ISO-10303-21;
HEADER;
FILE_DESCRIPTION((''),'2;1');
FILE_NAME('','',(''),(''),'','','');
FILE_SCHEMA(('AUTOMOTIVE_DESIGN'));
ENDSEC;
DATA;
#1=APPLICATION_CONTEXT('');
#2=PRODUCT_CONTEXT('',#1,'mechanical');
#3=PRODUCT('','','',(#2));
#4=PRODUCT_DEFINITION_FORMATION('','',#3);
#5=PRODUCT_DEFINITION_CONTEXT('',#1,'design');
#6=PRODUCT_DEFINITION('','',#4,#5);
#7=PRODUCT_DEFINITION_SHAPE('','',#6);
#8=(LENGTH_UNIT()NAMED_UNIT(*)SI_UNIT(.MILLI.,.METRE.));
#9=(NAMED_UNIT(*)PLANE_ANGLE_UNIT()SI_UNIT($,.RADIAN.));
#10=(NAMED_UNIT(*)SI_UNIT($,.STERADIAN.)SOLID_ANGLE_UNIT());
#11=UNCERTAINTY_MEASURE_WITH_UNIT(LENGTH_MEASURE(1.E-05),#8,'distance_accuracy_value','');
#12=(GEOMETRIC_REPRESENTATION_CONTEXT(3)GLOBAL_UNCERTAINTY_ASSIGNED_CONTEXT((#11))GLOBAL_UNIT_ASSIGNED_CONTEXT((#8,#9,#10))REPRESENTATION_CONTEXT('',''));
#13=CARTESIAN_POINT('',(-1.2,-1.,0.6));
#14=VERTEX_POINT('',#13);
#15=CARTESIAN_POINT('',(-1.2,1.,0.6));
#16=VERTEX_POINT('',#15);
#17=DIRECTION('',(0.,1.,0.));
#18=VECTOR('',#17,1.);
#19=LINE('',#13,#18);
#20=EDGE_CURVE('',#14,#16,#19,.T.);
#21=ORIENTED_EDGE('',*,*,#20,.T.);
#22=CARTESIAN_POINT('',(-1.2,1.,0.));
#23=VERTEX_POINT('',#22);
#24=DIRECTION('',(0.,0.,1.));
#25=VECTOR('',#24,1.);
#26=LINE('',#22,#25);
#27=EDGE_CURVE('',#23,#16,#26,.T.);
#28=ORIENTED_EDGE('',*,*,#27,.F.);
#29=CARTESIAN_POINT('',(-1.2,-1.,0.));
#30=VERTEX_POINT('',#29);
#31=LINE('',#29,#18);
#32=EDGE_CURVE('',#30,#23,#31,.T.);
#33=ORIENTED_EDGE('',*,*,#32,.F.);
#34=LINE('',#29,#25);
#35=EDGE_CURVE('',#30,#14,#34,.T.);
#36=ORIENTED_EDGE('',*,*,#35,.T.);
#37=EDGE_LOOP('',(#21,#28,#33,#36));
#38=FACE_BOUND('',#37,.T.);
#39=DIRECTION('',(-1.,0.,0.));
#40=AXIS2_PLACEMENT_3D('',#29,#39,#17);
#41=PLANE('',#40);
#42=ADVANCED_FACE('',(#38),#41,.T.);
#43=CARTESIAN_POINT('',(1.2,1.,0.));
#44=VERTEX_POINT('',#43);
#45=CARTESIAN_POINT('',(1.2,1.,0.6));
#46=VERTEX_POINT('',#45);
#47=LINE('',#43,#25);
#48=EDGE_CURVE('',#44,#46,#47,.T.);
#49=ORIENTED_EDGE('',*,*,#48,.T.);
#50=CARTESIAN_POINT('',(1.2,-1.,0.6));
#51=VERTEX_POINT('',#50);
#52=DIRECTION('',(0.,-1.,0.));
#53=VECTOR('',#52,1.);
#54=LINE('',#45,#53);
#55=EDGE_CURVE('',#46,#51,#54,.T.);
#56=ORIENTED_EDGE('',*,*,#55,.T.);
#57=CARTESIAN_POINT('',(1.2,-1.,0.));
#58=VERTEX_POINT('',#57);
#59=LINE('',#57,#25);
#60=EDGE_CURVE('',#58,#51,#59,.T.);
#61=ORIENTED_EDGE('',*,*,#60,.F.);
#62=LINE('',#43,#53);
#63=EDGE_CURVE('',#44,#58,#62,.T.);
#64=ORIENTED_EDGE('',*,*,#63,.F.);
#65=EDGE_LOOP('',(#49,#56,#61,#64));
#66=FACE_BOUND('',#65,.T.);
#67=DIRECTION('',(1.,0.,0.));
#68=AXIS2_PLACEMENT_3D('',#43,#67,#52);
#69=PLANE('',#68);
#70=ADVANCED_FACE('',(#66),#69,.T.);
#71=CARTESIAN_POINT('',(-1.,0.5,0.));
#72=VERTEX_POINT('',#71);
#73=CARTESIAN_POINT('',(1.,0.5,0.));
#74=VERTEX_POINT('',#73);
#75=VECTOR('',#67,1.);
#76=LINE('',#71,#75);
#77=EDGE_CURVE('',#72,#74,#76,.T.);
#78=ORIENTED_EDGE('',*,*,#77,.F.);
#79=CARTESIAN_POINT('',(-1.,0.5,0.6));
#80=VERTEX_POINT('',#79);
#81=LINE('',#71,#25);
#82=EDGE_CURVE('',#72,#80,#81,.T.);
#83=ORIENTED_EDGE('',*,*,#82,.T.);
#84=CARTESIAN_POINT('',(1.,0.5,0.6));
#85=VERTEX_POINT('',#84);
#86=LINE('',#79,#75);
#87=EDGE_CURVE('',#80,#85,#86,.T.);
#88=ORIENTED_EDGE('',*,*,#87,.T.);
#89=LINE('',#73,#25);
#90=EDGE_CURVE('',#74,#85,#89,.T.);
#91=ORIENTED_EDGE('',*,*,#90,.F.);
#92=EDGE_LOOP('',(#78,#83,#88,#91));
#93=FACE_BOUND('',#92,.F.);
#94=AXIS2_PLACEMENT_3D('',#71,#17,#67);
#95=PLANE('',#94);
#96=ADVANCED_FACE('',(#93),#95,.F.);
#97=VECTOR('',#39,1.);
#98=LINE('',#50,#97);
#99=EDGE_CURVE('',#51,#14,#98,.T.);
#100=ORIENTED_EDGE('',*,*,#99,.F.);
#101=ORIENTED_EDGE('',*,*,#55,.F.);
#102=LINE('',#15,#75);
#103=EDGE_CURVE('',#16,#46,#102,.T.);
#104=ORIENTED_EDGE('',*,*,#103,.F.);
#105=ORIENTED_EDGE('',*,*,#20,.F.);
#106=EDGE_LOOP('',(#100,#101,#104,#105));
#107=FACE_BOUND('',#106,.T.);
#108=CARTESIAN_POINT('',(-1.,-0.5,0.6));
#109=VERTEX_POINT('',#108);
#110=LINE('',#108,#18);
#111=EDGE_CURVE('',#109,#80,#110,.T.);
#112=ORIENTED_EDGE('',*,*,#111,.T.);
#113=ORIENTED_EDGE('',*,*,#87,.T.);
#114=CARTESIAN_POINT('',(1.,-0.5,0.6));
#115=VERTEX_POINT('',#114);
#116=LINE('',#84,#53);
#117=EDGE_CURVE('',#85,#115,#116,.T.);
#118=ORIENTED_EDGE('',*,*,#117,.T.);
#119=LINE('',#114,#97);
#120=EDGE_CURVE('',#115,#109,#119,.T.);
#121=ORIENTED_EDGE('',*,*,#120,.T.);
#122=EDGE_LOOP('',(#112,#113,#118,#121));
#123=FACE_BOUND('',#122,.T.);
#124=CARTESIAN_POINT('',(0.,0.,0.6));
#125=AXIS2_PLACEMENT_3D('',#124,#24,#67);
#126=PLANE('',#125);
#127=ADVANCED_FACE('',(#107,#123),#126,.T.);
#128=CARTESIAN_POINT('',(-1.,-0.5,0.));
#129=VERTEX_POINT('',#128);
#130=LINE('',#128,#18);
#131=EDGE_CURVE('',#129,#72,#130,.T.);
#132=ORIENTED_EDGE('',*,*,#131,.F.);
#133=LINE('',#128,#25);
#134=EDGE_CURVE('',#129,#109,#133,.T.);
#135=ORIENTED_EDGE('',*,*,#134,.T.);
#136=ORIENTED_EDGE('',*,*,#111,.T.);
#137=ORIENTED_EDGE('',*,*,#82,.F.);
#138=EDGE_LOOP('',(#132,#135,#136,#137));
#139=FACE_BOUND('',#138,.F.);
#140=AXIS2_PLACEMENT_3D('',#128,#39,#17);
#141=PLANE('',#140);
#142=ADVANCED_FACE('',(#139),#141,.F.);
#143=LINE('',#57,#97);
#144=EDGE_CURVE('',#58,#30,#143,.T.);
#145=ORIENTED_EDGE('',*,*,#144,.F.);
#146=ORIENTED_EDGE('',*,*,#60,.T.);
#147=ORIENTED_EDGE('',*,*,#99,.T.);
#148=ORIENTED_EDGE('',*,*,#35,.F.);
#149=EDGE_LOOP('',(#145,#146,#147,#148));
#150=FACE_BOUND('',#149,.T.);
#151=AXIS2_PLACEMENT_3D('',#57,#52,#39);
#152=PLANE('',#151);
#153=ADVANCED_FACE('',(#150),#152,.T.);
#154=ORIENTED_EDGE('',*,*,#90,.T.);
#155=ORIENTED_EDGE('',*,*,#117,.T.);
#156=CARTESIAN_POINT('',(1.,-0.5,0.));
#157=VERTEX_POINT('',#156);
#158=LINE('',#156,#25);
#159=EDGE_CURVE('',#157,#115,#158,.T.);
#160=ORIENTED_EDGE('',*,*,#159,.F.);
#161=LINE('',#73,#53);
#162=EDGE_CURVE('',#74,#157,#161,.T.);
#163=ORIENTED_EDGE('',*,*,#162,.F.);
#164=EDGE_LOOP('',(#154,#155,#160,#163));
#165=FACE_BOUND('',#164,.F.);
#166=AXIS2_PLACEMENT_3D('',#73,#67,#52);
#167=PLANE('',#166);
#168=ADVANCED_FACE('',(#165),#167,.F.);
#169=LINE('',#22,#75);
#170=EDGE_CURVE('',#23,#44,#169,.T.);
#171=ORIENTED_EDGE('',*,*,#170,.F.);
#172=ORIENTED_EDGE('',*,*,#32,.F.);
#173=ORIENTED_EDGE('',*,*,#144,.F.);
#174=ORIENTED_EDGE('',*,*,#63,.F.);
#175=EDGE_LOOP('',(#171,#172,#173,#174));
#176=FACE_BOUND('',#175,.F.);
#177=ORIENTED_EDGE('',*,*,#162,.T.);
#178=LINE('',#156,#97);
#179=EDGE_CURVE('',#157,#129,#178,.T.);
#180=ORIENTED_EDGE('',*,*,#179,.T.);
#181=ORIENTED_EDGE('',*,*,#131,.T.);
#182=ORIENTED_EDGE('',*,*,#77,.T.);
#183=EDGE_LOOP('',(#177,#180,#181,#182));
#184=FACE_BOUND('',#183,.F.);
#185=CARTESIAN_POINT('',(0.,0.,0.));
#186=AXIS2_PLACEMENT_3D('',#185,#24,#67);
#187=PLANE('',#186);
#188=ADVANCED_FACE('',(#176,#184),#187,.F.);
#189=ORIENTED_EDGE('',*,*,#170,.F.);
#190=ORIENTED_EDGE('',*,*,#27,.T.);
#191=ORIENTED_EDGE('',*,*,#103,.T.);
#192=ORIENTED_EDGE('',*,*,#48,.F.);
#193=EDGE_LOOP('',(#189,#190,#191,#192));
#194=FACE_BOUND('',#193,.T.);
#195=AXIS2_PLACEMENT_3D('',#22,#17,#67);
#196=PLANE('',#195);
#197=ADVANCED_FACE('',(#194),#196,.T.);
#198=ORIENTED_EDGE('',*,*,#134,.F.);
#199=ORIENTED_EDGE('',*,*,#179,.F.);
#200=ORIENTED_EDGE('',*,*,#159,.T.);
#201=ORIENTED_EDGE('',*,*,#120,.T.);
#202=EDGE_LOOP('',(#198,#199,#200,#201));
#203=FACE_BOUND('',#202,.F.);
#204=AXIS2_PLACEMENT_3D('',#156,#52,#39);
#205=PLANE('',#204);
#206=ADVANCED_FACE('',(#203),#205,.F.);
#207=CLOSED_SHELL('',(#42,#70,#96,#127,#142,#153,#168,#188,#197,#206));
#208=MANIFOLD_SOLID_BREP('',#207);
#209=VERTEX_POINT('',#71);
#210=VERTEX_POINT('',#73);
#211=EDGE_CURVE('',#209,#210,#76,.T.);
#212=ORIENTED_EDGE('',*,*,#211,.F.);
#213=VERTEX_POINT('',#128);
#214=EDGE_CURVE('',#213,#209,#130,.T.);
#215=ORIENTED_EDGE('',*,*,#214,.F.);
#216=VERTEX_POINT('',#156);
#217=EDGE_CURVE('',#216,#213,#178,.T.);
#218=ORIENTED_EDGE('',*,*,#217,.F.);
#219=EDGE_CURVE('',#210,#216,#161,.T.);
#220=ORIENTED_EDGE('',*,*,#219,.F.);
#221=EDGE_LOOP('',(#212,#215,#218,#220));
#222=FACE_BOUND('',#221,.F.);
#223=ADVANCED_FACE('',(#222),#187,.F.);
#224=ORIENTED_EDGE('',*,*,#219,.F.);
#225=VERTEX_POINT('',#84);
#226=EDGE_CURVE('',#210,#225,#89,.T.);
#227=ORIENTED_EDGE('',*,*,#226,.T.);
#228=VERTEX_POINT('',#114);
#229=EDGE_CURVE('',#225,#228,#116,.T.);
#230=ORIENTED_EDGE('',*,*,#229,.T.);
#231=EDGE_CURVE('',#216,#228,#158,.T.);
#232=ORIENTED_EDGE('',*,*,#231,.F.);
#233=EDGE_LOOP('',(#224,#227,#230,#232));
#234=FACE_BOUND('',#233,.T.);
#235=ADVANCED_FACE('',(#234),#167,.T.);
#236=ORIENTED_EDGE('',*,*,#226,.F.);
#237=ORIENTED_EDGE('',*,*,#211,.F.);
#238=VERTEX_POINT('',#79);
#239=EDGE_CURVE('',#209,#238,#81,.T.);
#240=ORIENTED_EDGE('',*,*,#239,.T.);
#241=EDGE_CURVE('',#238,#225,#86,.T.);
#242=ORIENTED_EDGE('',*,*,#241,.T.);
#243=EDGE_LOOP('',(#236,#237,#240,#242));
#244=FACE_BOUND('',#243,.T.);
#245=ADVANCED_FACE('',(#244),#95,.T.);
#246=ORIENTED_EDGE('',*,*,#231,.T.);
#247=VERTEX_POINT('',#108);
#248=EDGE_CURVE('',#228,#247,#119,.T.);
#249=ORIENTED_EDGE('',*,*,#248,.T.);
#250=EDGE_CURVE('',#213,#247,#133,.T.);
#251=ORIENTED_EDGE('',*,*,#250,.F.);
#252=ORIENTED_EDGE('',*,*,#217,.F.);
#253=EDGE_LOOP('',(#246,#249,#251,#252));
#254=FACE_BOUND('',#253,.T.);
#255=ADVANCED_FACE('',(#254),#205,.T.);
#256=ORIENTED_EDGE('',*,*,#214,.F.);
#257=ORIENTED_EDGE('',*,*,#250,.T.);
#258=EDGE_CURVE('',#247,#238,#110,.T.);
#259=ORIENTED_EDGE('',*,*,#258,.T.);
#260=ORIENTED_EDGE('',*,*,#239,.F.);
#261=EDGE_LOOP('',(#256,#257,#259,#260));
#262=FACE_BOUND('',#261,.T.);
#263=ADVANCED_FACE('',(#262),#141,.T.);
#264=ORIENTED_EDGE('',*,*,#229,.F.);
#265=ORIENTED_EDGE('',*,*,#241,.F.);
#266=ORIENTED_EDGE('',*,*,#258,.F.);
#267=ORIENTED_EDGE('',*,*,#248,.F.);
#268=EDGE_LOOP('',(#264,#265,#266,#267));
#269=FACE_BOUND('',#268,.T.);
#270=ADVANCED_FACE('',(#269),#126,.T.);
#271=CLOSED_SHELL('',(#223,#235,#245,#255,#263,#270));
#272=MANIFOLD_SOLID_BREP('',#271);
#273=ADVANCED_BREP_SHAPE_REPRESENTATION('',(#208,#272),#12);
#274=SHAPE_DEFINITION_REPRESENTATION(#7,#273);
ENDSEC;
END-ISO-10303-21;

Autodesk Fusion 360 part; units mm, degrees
sketch "Sketch1" plane through (0, 0, 0) normal (0, 0, 1) x (1, 0, 0)
  line L0 (-1.2, 1) -> (1.2, 1)
  line L1 (1.2, 1) -> (1.2, -1)
  line L2 (1.2, -1) -> (-1.2, -1)
  line L3 (-1.2, -1) -> (-1.2, 1)
  line L4 (-1, 0.5) -> (1, 0.5)
  line L5 (1, 0.5) -> (1, -0.5)
  line L6 (1, -0.5) -> (-1, -0.5)
  line L7 (-1, -0.5) -> (-1, 0.5)
extrude "Extrude1" add sketch "Sketch1" along normal blind 0.6 makes body 1
extrude "Extrude2" add sketch "Sketch1" along normal blind 0.6 separate body contours L4 L5 L6 L7 makes body 2
